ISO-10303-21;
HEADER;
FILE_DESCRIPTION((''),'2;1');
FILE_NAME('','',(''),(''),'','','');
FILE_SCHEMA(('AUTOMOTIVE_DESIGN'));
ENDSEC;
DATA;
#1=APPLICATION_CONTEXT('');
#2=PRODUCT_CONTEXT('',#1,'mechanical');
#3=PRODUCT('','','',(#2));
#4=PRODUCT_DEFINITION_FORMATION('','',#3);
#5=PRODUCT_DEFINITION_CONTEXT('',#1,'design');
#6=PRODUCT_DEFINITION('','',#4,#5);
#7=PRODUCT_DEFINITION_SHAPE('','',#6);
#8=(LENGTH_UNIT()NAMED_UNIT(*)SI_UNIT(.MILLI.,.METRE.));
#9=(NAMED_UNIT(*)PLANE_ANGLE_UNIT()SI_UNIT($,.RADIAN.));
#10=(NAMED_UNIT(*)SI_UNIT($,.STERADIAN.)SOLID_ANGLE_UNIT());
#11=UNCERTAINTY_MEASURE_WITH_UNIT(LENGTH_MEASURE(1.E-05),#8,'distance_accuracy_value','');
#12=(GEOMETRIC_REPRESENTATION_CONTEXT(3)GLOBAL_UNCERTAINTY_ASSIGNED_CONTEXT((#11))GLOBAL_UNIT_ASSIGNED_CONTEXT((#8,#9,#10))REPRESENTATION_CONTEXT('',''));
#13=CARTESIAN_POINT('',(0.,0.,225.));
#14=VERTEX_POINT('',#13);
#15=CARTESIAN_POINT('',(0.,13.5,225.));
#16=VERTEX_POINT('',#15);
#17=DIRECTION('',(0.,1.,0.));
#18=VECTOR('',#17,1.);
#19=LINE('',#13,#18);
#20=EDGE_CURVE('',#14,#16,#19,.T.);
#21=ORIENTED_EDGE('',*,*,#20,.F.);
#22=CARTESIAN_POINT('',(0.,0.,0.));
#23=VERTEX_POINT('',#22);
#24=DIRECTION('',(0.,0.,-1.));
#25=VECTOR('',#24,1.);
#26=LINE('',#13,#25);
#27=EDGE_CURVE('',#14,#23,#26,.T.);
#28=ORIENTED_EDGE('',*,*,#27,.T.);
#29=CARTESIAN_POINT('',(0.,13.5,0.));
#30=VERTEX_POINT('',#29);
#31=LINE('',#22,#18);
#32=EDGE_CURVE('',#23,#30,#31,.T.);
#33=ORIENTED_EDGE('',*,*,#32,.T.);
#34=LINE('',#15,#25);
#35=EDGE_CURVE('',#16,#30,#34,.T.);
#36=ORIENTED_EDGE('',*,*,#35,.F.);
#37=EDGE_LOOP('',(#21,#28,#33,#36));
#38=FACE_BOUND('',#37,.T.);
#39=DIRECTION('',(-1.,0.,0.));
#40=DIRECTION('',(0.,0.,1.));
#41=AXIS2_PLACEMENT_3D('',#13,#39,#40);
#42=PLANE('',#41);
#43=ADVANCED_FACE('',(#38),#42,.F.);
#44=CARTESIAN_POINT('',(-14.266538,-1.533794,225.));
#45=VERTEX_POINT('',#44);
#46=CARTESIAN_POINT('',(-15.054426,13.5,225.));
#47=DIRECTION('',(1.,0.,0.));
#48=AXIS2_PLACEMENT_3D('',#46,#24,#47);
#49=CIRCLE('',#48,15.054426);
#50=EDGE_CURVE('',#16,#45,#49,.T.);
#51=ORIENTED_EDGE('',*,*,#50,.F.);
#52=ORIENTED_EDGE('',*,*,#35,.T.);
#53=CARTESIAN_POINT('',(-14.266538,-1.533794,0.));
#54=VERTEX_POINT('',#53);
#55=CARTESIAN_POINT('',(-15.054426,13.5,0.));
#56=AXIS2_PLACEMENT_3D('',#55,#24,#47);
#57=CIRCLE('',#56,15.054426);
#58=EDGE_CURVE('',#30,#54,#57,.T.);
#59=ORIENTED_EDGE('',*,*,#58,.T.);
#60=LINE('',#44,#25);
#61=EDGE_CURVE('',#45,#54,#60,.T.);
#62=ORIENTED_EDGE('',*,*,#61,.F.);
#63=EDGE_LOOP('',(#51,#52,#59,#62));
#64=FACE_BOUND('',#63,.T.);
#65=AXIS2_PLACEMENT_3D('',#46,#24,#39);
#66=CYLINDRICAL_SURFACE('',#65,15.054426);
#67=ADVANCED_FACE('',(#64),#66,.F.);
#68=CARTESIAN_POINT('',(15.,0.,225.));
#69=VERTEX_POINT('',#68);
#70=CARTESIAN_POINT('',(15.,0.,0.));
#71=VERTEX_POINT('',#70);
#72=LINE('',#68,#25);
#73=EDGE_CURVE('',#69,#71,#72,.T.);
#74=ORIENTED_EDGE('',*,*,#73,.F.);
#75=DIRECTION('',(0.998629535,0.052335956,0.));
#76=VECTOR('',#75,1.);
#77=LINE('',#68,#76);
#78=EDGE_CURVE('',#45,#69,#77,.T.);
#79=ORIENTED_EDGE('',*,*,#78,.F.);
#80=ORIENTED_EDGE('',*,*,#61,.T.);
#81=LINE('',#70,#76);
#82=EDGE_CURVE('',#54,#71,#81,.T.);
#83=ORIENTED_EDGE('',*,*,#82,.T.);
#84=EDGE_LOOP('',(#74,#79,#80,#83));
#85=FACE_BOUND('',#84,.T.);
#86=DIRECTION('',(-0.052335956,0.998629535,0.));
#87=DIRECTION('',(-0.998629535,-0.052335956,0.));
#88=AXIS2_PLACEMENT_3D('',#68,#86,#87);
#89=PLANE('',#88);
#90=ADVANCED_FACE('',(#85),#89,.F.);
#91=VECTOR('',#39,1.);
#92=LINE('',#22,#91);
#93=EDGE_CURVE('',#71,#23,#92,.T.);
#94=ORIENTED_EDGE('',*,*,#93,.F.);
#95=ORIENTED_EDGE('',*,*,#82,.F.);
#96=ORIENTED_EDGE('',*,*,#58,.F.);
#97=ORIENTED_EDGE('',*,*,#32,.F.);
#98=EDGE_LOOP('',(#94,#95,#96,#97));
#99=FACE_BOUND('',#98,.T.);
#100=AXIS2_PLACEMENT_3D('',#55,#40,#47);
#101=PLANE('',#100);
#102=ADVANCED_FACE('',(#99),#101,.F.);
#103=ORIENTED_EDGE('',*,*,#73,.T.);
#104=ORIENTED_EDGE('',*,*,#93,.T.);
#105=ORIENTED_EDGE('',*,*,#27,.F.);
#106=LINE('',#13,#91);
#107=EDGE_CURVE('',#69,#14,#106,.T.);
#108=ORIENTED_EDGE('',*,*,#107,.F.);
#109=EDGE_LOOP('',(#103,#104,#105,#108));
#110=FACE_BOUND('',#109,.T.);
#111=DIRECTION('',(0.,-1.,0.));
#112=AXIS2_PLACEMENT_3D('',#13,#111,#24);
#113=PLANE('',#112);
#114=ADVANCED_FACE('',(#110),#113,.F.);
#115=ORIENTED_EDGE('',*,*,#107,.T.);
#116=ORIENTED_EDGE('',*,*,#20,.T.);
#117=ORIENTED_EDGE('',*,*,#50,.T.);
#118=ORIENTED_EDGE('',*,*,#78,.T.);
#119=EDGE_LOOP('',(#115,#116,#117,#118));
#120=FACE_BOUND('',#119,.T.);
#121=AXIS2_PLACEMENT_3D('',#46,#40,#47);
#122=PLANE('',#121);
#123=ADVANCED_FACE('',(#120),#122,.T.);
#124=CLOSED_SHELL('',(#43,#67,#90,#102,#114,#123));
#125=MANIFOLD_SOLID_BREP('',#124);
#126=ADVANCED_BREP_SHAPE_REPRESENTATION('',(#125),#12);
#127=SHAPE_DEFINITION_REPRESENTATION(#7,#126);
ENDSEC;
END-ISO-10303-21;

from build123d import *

# Parameters (mm, degrees)
BOSS_EXTRUDE1_DEPTH = 225


with BuildPart() as part:
    # Sketch1 → Boss-Extrude1 (new body)
    with BuildSketch(Plane.XY):
        with BuildLine():
            Line((0, 0), (0, 13.5))
            ThreePointArc((0, 13.5), (-4.134331164, 3.137217092), (-14.266538063, -1.533794267))
            Line((-14.266538063, -1.533794267), (15, 0))
            Line((15, 0), (0, 0))
        make_face()
    extrude(amount=BOSS_EXTRUDE1_DEPTH)


solid = part.part
